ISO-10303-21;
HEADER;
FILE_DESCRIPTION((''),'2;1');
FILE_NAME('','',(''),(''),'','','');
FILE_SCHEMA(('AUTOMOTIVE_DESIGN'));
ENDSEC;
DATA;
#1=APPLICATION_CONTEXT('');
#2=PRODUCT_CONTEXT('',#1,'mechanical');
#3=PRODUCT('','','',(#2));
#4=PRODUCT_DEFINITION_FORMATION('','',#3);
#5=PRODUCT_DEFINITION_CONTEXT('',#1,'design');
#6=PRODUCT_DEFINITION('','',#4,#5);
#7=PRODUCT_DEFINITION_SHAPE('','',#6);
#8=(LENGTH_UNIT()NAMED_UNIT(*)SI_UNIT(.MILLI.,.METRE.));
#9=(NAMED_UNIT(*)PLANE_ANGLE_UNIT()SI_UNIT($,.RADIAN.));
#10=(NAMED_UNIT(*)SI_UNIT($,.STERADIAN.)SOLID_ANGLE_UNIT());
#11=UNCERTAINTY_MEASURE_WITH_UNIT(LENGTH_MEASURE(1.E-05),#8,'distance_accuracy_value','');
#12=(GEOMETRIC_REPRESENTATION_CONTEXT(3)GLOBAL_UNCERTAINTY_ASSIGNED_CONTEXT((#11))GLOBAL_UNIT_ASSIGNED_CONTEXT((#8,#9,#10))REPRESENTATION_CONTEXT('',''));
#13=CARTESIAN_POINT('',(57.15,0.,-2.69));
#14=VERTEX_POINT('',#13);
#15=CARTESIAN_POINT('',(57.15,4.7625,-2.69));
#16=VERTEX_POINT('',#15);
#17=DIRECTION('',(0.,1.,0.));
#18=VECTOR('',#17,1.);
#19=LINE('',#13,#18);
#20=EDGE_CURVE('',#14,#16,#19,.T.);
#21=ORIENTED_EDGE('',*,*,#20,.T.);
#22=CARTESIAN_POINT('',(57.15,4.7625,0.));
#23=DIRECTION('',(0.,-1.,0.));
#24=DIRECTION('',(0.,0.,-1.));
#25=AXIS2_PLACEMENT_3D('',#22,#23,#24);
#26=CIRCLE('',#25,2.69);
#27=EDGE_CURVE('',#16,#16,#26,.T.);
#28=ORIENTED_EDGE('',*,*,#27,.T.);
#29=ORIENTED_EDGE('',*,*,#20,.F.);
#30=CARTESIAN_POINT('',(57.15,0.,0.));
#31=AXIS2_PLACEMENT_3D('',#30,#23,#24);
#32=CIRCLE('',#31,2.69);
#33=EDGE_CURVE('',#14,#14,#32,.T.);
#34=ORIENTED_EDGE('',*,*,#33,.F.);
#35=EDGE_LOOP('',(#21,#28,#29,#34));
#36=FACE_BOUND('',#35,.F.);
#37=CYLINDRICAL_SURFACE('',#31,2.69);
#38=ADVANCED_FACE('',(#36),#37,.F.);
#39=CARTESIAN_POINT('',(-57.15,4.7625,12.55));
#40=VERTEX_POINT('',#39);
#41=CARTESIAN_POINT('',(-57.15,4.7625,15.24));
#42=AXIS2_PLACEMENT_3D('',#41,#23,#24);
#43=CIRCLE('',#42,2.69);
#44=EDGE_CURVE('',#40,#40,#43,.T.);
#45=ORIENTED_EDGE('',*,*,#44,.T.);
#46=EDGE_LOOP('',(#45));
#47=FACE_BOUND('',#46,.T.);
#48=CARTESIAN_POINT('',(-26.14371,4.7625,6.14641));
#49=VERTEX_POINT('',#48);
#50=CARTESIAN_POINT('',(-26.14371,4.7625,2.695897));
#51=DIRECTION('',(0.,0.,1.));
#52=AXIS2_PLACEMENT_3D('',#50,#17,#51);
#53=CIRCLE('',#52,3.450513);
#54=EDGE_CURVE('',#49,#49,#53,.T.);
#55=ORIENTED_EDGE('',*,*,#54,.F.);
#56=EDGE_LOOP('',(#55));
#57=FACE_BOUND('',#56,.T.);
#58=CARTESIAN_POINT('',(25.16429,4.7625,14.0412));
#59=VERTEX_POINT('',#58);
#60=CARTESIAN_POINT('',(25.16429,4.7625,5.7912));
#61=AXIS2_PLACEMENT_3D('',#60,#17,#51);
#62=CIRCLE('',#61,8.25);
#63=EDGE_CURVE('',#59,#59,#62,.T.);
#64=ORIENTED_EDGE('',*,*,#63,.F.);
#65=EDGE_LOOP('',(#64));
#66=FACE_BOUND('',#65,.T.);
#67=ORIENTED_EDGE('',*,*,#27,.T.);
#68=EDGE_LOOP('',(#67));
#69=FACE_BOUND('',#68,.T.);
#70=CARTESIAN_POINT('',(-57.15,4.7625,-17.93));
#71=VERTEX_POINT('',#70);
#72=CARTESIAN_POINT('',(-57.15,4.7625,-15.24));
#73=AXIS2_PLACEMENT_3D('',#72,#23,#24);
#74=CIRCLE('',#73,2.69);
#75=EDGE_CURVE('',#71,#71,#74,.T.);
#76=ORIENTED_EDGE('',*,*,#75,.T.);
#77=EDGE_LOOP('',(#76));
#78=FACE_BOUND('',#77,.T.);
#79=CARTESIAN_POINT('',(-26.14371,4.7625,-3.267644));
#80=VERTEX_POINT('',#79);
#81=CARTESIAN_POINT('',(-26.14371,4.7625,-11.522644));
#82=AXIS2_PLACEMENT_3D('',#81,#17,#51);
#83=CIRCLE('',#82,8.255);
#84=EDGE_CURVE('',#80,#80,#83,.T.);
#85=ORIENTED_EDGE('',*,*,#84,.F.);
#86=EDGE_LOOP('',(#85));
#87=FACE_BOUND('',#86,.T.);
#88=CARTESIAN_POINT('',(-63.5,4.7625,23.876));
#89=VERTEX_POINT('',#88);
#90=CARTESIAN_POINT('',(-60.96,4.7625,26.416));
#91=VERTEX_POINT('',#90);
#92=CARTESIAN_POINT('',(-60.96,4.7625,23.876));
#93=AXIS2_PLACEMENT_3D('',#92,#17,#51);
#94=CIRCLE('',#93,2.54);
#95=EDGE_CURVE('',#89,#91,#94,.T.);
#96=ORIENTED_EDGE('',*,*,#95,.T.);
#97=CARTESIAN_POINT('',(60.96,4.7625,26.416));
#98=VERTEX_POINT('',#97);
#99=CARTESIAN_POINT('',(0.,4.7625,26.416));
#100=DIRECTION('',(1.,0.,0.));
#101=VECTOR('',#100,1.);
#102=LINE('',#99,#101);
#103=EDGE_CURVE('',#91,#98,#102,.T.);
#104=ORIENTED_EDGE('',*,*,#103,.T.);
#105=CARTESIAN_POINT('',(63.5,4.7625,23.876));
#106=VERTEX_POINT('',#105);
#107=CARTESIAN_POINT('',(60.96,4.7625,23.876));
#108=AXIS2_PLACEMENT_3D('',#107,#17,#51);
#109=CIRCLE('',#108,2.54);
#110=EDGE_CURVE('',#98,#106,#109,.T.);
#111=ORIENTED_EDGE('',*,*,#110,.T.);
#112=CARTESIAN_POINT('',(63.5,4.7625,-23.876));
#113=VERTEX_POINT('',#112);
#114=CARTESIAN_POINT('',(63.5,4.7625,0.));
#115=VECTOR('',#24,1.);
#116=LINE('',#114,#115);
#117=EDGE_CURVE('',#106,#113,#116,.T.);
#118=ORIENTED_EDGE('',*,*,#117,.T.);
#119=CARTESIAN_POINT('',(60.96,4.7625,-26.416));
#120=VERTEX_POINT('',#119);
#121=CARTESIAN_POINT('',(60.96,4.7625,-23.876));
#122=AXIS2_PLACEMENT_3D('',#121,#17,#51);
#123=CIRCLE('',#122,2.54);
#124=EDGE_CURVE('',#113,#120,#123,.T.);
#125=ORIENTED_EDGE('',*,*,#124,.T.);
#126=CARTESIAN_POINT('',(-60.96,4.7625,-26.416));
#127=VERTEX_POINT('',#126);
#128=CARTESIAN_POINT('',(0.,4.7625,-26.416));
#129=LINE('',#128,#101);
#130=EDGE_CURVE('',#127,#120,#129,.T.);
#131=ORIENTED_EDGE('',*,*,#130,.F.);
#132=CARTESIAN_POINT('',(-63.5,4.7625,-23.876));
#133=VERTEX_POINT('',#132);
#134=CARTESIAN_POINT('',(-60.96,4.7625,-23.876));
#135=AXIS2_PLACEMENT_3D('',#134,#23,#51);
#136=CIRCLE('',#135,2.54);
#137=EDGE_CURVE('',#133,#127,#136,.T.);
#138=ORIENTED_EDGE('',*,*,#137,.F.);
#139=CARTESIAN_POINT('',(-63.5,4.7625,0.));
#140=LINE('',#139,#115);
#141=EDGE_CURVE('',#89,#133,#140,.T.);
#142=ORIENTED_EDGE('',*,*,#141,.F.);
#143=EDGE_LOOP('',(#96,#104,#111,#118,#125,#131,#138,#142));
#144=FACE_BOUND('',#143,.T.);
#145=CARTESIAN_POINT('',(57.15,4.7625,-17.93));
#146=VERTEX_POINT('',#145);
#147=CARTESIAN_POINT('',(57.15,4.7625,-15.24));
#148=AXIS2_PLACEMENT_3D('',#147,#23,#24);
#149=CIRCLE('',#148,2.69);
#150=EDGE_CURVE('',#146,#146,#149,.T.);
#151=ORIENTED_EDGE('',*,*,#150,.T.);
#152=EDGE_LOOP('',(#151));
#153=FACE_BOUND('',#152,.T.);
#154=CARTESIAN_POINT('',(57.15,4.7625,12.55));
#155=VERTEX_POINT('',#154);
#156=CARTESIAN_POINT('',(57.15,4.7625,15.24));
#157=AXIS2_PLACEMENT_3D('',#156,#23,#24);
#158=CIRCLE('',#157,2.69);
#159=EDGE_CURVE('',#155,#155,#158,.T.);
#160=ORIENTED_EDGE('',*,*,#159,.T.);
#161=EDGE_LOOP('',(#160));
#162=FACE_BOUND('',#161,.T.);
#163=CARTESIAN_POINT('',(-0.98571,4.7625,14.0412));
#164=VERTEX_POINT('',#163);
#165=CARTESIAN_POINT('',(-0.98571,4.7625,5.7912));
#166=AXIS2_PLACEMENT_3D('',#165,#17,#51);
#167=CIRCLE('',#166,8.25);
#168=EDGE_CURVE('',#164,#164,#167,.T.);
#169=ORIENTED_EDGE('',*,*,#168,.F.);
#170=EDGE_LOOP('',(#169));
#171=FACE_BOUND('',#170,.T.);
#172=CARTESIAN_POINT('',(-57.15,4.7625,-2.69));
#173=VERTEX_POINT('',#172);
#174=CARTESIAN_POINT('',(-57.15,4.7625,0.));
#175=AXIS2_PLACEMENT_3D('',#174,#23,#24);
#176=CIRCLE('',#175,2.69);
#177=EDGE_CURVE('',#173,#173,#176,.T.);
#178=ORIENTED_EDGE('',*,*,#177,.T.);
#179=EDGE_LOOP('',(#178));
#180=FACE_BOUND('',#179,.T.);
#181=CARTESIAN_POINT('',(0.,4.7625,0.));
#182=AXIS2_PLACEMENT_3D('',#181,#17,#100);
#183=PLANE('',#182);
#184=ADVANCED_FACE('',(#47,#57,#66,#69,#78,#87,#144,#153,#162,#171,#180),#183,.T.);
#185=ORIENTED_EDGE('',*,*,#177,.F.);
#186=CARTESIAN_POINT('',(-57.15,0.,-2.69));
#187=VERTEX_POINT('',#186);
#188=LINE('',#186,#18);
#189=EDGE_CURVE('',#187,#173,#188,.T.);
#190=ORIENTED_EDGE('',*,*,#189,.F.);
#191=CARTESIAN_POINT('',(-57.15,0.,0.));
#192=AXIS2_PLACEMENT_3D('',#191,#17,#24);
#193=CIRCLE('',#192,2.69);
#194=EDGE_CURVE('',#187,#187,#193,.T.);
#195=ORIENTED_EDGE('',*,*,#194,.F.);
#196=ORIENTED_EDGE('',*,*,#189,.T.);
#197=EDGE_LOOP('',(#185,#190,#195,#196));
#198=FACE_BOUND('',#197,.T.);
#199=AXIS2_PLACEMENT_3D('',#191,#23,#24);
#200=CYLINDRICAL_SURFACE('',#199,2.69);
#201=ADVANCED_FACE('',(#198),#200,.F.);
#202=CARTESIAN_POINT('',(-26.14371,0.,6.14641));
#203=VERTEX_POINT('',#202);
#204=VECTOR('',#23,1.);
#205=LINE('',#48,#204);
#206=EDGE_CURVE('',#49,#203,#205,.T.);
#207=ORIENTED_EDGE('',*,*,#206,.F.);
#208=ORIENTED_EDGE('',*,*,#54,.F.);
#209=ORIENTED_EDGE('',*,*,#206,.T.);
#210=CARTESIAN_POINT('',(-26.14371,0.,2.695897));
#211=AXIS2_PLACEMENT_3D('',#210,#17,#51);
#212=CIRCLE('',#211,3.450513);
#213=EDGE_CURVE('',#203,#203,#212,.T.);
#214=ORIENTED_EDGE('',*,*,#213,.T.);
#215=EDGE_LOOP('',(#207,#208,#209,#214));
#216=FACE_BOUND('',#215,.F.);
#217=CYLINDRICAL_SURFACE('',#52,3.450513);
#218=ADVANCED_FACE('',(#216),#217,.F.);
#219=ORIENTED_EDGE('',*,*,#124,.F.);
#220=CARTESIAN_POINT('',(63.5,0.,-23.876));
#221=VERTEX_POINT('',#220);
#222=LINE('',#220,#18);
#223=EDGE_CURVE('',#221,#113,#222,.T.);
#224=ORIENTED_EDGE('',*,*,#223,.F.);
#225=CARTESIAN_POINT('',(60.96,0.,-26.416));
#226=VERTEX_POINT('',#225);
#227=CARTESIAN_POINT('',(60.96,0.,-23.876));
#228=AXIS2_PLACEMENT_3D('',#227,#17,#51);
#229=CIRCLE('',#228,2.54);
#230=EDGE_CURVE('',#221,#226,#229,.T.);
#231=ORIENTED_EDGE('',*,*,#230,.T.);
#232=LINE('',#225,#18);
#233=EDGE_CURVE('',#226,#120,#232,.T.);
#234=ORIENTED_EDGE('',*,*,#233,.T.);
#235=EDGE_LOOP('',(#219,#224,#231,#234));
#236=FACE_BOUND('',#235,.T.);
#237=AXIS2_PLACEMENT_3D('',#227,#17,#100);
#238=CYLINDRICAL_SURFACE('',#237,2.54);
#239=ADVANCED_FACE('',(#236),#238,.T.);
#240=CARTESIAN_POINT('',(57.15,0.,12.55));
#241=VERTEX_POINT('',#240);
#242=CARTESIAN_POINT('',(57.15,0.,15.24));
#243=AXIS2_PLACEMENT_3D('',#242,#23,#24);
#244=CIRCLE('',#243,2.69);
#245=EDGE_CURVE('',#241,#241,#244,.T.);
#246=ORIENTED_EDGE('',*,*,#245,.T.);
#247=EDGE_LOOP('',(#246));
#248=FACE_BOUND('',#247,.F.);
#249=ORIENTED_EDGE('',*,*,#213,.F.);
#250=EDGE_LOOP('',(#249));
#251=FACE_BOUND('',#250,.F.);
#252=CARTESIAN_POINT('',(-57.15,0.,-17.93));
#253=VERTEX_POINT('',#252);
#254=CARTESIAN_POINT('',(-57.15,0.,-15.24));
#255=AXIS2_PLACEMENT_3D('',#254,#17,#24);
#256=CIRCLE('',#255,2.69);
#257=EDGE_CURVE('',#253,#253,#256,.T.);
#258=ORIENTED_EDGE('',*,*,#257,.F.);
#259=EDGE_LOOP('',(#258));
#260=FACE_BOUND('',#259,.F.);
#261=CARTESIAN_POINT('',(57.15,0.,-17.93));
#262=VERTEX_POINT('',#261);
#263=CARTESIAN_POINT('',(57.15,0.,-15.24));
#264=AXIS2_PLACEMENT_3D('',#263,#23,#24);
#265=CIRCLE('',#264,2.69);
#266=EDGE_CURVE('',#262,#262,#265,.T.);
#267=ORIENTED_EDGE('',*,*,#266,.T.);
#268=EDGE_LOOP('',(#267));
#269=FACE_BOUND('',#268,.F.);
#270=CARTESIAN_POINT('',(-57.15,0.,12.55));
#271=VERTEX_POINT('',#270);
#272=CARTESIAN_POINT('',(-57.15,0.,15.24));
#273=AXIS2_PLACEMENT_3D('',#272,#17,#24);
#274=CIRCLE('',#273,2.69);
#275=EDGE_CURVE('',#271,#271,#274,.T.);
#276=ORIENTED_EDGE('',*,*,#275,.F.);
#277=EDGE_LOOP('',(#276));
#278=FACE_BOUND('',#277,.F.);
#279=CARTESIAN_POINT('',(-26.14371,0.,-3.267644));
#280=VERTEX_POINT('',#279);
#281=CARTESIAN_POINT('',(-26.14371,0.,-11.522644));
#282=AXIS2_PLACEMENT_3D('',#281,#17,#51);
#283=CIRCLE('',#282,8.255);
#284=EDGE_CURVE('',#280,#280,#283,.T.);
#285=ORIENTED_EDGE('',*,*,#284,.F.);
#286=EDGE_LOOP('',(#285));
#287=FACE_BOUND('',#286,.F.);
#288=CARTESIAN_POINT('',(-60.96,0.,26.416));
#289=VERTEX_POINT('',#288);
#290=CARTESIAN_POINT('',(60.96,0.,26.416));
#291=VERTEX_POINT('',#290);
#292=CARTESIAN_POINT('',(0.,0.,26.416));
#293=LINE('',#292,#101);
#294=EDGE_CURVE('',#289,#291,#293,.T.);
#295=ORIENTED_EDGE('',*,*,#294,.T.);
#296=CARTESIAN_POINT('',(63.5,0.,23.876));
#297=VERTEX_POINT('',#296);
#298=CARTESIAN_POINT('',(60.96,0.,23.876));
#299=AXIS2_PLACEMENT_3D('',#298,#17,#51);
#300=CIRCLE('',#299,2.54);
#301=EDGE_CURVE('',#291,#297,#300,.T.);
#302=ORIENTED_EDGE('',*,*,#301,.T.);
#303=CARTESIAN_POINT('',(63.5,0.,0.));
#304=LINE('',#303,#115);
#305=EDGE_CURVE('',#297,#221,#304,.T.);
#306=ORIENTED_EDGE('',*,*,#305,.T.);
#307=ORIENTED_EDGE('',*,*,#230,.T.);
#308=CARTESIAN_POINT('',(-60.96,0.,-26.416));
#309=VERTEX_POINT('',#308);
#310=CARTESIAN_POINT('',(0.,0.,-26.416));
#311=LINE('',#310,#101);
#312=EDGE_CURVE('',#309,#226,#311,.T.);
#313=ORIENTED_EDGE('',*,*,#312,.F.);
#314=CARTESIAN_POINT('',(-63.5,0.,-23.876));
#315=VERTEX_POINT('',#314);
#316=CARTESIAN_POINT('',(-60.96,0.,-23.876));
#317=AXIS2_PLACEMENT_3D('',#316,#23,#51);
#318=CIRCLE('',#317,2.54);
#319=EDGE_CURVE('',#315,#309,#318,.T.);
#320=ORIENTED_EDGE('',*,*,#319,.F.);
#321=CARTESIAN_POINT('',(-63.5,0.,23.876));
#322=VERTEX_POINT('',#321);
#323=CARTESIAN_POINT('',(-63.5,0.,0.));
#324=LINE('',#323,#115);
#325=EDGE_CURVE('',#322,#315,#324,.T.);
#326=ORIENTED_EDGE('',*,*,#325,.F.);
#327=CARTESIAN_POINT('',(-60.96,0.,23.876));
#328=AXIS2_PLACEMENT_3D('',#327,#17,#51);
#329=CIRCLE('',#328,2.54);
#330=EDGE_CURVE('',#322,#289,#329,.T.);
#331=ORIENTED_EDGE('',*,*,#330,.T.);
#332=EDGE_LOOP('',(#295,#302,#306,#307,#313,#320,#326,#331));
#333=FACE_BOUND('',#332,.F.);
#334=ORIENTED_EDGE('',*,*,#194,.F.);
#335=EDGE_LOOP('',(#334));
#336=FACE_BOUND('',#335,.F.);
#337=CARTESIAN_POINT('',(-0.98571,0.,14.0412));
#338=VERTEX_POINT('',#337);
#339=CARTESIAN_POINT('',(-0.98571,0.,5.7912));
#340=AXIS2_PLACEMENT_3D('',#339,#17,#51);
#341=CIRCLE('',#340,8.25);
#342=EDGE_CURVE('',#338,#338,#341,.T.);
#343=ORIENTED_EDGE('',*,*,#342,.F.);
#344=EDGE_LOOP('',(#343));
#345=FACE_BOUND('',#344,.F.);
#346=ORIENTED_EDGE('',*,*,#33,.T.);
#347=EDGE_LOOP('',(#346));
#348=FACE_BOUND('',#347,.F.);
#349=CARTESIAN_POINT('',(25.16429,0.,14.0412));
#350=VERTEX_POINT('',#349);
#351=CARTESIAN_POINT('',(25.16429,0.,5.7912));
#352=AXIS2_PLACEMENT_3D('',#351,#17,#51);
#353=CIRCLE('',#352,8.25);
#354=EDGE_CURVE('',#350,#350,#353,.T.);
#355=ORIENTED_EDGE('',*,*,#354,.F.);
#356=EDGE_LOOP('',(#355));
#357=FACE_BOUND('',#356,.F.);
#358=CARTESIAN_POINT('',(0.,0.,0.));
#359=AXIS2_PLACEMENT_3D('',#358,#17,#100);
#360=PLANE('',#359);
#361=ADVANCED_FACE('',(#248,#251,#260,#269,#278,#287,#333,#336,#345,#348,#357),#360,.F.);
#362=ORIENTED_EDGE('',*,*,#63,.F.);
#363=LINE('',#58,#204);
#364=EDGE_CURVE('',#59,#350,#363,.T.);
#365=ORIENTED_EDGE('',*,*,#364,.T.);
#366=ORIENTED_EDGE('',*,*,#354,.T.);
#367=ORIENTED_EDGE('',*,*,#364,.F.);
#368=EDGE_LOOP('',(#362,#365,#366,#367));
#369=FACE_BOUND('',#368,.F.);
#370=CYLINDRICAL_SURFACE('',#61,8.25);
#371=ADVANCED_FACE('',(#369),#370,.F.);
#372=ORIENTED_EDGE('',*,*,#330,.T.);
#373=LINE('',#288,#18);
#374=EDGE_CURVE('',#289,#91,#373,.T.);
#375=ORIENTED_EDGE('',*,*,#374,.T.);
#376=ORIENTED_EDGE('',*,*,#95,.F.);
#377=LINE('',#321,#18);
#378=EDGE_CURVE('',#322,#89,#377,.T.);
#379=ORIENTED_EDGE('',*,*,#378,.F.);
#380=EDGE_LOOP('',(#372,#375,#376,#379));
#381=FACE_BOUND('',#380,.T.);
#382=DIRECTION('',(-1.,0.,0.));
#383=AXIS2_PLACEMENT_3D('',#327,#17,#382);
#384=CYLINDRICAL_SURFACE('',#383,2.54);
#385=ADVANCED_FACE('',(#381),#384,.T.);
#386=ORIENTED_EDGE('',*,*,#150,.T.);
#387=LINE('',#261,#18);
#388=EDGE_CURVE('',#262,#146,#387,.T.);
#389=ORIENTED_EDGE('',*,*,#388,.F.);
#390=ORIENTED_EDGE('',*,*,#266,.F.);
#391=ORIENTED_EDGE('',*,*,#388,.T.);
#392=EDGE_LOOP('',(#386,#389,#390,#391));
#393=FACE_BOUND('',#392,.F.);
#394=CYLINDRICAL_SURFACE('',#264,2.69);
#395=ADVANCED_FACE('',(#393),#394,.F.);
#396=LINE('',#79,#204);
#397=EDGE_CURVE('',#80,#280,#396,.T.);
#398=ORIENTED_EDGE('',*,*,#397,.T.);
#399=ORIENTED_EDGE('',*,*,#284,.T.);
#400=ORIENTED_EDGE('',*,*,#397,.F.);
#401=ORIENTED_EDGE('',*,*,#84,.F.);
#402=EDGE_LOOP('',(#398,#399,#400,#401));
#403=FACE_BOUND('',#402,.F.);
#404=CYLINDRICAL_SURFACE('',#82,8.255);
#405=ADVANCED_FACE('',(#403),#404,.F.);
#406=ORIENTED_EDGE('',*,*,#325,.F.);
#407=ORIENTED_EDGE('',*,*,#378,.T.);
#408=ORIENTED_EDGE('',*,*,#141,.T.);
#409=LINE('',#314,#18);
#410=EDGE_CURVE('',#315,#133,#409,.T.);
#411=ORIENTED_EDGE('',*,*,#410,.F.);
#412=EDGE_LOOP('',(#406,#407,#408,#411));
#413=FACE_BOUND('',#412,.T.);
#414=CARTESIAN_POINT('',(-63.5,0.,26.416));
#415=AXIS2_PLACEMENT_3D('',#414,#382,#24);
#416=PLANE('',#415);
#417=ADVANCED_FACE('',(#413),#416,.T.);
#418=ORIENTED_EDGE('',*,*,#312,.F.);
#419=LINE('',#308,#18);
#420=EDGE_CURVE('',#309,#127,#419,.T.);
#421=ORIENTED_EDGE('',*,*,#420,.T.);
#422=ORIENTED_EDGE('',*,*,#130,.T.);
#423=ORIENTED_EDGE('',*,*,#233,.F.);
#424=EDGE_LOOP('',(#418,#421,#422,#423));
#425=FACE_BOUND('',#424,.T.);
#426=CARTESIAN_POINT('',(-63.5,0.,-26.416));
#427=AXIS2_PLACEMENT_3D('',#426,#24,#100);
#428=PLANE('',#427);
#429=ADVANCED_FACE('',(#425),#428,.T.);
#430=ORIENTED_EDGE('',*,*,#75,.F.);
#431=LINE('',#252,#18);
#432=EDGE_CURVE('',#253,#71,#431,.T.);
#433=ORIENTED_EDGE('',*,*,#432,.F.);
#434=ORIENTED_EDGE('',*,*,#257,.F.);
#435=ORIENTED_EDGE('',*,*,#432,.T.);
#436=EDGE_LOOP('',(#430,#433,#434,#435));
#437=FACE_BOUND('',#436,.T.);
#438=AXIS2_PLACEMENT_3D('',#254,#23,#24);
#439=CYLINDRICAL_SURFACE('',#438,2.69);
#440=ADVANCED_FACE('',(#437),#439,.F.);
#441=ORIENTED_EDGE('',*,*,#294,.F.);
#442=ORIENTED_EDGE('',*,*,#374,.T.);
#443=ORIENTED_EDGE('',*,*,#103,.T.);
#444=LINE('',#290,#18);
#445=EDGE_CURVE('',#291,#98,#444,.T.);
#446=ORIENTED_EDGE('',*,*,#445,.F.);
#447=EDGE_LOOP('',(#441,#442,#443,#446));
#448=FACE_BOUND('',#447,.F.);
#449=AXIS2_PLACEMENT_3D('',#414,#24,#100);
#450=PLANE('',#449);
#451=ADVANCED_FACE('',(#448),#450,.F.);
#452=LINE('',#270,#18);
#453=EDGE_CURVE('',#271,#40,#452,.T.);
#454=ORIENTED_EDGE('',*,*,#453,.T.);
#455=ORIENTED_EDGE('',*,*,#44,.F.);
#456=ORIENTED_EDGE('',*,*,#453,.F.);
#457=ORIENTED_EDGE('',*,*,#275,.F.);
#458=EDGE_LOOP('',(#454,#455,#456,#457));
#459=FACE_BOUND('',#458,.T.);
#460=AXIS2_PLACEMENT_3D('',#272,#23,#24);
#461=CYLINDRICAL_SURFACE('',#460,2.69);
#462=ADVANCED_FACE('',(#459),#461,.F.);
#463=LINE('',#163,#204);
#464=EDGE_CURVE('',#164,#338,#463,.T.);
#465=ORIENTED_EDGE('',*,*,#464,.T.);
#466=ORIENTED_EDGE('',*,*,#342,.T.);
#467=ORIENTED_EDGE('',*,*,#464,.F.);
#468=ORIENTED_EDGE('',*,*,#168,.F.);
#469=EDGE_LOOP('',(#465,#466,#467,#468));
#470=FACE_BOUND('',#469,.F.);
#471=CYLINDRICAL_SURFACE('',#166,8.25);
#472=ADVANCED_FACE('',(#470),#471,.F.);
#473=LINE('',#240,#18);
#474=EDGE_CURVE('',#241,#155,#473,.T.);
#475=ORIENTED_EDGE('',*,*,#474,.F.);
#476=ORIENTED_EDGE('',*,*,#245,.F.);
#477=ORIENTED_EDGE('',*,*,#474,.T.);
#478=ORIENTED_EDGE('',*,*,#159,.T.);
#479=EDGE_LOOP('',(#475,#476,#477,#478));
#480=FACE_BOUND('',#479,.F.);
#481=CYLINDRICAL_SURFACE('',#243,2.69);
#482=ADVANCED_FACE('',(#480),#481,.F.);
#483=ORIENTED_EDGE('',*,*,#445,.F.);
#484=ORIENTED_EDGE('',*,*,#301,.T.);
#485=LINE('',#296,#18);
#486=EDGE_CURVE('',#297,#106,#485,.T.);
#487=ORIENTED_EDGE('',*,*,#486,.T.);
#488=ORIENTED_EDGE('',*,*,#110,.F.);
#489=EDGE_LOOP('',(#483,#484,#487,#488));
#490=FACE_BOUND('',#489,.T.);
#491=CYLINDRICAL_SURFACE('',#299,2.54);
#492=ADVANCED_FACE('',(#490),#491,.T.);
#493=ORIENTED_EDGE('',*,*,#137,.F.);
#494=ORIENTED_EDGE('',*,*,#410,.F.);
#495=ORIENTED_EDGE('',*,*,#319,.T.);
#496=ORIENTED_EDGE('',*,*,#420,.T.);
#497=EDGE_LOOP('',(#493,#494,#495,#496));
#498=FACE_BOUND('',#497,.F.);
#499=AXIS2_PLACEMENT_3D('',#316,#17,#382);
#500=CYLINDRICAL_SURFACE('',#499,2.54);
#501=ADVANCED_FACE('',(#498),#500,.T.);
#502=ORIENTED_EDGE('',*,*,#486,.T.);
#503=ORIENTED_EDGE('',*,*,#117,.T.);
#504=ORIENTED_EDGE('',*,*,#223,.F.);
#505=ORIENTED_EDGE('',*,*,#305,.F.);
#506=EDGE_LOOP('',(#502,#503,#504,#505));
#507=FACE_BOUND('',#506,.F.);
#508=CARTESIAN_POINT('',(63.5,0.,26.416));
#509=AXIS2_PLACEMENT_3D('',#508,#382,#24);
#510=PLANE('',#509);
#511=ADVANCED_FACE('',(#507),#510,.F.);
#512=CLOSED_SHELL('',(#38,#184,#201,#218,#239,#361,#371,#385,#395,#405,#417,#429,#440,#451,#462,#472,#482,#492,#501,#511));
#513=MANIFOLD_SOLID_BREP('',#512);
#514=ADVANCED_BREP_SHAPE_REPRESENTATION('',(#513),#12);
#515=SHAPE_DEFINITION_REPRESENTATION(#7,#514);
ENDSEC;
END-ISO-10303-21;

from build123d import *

# Parameters (mm, degrees)
SKETCH1_W           = 127
SKETCH1_H           = 52.832
BOSS_EXTRUDE1_DEPTH = 4.7625
FILLET1_R           = 2.54
SKETCH2_R           = 2.69
CUT_EXTRUDE1_DEPTH  = 69.940093286
SKETCH3_R           = 8.250000011
CUT_EXTRUDE2_DEPTH  = 69.940093286
SKETCH4_R           = 8.255000001
SKETCH4_R_2         = 3.450513254
CUT_EXTRUDE3_DEPTH  = 69.940093286


with BuildPart() as part:
    # Sketch1 → Boss-Extrude1 (new body)
    with BuildSketch(Plane(origin=(0, 0, 0), x_dir=(1, 0, 0), z_dir=(0, 1, 0))):
        Rectangle(SKETCH1_W, SKETCH1_H)
    extrude(amount=BOSS_EXTRUDE1_DEPTH)

    # Fillet1
    fillet1_edges = [part.edges().sort_by_distance(p)[0] for p in [
        (63.5, 2.38125, 26.416),
        (-63.5, 2.38125, 26.416),
        (-63.5, 2.38125, -26.416),
        (63.5, 2.38125, -26.416),
    ]]
    fillet(fillet1_edges, radius=FILLET1_R)

    # Sketch2 → Cut-Extrude1 (cut, through all)
    with BuildSketch(Plane.XZ):
        with Locations(Location((57.15, -15.24, 0), (0, 0, 270))):
            Circle(SKETCH2_R)
        with Locations(Location((57.15, 0, 0), (0, 0, 270))):
            Circle(SKETCH2_R)
        with Locations(Location((57.15, 15.24, 0), (0, 0, 270))):
            Circle(SKETCH2_R)
    cut_extrude1 = extrude(amount=-CUT_EXTRUDE1_DEPTH, mode=Mode.SUBTRACT)

    # Mirror1: Cut-Extrude1 across plane
    add(cut_extrude1.mirror(Plane(origin=(0, 0, 0), x_dir=(0, 0, 1), z_dir=(1, 0, 0))), mode=Mode.SUBTRACT)

    # Sketch3 → Cut-Extrude2 (cut, through all)
    with BuildSketch(Plane(origin=(0, 4.7625, 0), x_dir=(1, 0, 0), z_dir=(0, 1, 0))):
        with Locations(Location((25.164289669, -5.7912, 0), (0, 0, 270))):
            Circle(SKETCH3_R)
        with Locations(Location((-0.985710355, -5.7912, 0), (0, 0, 270))):
            Circle(SKETCH3_R)
    extrude(amount=-CUT_EXTRUDE2_DEPTH, mode=Mode.SUBTRACT)

    # Sketch4 → Cut-Extrude3 (cut, through all)
    with BuildSketch(Plane(origin=(0, 4.7625, 0), x_dir=(1, 0, 0), z_dir=(0, 1, 0))):
        with Locations(Location((-26.143710331, 11.522643822, 0), (0, 0, 270))):
            Circle(SKETCH4_R)
        with Locations(Location((-26.143710331, -2.695896838, 0), (0, 0, 270))):
            Circle(SKETCH4_R_2)
    extrude(amount=-CUT_EXTRUDE3_DEPTH, mode=Mode.SUBTRACT)


solid = part.part
